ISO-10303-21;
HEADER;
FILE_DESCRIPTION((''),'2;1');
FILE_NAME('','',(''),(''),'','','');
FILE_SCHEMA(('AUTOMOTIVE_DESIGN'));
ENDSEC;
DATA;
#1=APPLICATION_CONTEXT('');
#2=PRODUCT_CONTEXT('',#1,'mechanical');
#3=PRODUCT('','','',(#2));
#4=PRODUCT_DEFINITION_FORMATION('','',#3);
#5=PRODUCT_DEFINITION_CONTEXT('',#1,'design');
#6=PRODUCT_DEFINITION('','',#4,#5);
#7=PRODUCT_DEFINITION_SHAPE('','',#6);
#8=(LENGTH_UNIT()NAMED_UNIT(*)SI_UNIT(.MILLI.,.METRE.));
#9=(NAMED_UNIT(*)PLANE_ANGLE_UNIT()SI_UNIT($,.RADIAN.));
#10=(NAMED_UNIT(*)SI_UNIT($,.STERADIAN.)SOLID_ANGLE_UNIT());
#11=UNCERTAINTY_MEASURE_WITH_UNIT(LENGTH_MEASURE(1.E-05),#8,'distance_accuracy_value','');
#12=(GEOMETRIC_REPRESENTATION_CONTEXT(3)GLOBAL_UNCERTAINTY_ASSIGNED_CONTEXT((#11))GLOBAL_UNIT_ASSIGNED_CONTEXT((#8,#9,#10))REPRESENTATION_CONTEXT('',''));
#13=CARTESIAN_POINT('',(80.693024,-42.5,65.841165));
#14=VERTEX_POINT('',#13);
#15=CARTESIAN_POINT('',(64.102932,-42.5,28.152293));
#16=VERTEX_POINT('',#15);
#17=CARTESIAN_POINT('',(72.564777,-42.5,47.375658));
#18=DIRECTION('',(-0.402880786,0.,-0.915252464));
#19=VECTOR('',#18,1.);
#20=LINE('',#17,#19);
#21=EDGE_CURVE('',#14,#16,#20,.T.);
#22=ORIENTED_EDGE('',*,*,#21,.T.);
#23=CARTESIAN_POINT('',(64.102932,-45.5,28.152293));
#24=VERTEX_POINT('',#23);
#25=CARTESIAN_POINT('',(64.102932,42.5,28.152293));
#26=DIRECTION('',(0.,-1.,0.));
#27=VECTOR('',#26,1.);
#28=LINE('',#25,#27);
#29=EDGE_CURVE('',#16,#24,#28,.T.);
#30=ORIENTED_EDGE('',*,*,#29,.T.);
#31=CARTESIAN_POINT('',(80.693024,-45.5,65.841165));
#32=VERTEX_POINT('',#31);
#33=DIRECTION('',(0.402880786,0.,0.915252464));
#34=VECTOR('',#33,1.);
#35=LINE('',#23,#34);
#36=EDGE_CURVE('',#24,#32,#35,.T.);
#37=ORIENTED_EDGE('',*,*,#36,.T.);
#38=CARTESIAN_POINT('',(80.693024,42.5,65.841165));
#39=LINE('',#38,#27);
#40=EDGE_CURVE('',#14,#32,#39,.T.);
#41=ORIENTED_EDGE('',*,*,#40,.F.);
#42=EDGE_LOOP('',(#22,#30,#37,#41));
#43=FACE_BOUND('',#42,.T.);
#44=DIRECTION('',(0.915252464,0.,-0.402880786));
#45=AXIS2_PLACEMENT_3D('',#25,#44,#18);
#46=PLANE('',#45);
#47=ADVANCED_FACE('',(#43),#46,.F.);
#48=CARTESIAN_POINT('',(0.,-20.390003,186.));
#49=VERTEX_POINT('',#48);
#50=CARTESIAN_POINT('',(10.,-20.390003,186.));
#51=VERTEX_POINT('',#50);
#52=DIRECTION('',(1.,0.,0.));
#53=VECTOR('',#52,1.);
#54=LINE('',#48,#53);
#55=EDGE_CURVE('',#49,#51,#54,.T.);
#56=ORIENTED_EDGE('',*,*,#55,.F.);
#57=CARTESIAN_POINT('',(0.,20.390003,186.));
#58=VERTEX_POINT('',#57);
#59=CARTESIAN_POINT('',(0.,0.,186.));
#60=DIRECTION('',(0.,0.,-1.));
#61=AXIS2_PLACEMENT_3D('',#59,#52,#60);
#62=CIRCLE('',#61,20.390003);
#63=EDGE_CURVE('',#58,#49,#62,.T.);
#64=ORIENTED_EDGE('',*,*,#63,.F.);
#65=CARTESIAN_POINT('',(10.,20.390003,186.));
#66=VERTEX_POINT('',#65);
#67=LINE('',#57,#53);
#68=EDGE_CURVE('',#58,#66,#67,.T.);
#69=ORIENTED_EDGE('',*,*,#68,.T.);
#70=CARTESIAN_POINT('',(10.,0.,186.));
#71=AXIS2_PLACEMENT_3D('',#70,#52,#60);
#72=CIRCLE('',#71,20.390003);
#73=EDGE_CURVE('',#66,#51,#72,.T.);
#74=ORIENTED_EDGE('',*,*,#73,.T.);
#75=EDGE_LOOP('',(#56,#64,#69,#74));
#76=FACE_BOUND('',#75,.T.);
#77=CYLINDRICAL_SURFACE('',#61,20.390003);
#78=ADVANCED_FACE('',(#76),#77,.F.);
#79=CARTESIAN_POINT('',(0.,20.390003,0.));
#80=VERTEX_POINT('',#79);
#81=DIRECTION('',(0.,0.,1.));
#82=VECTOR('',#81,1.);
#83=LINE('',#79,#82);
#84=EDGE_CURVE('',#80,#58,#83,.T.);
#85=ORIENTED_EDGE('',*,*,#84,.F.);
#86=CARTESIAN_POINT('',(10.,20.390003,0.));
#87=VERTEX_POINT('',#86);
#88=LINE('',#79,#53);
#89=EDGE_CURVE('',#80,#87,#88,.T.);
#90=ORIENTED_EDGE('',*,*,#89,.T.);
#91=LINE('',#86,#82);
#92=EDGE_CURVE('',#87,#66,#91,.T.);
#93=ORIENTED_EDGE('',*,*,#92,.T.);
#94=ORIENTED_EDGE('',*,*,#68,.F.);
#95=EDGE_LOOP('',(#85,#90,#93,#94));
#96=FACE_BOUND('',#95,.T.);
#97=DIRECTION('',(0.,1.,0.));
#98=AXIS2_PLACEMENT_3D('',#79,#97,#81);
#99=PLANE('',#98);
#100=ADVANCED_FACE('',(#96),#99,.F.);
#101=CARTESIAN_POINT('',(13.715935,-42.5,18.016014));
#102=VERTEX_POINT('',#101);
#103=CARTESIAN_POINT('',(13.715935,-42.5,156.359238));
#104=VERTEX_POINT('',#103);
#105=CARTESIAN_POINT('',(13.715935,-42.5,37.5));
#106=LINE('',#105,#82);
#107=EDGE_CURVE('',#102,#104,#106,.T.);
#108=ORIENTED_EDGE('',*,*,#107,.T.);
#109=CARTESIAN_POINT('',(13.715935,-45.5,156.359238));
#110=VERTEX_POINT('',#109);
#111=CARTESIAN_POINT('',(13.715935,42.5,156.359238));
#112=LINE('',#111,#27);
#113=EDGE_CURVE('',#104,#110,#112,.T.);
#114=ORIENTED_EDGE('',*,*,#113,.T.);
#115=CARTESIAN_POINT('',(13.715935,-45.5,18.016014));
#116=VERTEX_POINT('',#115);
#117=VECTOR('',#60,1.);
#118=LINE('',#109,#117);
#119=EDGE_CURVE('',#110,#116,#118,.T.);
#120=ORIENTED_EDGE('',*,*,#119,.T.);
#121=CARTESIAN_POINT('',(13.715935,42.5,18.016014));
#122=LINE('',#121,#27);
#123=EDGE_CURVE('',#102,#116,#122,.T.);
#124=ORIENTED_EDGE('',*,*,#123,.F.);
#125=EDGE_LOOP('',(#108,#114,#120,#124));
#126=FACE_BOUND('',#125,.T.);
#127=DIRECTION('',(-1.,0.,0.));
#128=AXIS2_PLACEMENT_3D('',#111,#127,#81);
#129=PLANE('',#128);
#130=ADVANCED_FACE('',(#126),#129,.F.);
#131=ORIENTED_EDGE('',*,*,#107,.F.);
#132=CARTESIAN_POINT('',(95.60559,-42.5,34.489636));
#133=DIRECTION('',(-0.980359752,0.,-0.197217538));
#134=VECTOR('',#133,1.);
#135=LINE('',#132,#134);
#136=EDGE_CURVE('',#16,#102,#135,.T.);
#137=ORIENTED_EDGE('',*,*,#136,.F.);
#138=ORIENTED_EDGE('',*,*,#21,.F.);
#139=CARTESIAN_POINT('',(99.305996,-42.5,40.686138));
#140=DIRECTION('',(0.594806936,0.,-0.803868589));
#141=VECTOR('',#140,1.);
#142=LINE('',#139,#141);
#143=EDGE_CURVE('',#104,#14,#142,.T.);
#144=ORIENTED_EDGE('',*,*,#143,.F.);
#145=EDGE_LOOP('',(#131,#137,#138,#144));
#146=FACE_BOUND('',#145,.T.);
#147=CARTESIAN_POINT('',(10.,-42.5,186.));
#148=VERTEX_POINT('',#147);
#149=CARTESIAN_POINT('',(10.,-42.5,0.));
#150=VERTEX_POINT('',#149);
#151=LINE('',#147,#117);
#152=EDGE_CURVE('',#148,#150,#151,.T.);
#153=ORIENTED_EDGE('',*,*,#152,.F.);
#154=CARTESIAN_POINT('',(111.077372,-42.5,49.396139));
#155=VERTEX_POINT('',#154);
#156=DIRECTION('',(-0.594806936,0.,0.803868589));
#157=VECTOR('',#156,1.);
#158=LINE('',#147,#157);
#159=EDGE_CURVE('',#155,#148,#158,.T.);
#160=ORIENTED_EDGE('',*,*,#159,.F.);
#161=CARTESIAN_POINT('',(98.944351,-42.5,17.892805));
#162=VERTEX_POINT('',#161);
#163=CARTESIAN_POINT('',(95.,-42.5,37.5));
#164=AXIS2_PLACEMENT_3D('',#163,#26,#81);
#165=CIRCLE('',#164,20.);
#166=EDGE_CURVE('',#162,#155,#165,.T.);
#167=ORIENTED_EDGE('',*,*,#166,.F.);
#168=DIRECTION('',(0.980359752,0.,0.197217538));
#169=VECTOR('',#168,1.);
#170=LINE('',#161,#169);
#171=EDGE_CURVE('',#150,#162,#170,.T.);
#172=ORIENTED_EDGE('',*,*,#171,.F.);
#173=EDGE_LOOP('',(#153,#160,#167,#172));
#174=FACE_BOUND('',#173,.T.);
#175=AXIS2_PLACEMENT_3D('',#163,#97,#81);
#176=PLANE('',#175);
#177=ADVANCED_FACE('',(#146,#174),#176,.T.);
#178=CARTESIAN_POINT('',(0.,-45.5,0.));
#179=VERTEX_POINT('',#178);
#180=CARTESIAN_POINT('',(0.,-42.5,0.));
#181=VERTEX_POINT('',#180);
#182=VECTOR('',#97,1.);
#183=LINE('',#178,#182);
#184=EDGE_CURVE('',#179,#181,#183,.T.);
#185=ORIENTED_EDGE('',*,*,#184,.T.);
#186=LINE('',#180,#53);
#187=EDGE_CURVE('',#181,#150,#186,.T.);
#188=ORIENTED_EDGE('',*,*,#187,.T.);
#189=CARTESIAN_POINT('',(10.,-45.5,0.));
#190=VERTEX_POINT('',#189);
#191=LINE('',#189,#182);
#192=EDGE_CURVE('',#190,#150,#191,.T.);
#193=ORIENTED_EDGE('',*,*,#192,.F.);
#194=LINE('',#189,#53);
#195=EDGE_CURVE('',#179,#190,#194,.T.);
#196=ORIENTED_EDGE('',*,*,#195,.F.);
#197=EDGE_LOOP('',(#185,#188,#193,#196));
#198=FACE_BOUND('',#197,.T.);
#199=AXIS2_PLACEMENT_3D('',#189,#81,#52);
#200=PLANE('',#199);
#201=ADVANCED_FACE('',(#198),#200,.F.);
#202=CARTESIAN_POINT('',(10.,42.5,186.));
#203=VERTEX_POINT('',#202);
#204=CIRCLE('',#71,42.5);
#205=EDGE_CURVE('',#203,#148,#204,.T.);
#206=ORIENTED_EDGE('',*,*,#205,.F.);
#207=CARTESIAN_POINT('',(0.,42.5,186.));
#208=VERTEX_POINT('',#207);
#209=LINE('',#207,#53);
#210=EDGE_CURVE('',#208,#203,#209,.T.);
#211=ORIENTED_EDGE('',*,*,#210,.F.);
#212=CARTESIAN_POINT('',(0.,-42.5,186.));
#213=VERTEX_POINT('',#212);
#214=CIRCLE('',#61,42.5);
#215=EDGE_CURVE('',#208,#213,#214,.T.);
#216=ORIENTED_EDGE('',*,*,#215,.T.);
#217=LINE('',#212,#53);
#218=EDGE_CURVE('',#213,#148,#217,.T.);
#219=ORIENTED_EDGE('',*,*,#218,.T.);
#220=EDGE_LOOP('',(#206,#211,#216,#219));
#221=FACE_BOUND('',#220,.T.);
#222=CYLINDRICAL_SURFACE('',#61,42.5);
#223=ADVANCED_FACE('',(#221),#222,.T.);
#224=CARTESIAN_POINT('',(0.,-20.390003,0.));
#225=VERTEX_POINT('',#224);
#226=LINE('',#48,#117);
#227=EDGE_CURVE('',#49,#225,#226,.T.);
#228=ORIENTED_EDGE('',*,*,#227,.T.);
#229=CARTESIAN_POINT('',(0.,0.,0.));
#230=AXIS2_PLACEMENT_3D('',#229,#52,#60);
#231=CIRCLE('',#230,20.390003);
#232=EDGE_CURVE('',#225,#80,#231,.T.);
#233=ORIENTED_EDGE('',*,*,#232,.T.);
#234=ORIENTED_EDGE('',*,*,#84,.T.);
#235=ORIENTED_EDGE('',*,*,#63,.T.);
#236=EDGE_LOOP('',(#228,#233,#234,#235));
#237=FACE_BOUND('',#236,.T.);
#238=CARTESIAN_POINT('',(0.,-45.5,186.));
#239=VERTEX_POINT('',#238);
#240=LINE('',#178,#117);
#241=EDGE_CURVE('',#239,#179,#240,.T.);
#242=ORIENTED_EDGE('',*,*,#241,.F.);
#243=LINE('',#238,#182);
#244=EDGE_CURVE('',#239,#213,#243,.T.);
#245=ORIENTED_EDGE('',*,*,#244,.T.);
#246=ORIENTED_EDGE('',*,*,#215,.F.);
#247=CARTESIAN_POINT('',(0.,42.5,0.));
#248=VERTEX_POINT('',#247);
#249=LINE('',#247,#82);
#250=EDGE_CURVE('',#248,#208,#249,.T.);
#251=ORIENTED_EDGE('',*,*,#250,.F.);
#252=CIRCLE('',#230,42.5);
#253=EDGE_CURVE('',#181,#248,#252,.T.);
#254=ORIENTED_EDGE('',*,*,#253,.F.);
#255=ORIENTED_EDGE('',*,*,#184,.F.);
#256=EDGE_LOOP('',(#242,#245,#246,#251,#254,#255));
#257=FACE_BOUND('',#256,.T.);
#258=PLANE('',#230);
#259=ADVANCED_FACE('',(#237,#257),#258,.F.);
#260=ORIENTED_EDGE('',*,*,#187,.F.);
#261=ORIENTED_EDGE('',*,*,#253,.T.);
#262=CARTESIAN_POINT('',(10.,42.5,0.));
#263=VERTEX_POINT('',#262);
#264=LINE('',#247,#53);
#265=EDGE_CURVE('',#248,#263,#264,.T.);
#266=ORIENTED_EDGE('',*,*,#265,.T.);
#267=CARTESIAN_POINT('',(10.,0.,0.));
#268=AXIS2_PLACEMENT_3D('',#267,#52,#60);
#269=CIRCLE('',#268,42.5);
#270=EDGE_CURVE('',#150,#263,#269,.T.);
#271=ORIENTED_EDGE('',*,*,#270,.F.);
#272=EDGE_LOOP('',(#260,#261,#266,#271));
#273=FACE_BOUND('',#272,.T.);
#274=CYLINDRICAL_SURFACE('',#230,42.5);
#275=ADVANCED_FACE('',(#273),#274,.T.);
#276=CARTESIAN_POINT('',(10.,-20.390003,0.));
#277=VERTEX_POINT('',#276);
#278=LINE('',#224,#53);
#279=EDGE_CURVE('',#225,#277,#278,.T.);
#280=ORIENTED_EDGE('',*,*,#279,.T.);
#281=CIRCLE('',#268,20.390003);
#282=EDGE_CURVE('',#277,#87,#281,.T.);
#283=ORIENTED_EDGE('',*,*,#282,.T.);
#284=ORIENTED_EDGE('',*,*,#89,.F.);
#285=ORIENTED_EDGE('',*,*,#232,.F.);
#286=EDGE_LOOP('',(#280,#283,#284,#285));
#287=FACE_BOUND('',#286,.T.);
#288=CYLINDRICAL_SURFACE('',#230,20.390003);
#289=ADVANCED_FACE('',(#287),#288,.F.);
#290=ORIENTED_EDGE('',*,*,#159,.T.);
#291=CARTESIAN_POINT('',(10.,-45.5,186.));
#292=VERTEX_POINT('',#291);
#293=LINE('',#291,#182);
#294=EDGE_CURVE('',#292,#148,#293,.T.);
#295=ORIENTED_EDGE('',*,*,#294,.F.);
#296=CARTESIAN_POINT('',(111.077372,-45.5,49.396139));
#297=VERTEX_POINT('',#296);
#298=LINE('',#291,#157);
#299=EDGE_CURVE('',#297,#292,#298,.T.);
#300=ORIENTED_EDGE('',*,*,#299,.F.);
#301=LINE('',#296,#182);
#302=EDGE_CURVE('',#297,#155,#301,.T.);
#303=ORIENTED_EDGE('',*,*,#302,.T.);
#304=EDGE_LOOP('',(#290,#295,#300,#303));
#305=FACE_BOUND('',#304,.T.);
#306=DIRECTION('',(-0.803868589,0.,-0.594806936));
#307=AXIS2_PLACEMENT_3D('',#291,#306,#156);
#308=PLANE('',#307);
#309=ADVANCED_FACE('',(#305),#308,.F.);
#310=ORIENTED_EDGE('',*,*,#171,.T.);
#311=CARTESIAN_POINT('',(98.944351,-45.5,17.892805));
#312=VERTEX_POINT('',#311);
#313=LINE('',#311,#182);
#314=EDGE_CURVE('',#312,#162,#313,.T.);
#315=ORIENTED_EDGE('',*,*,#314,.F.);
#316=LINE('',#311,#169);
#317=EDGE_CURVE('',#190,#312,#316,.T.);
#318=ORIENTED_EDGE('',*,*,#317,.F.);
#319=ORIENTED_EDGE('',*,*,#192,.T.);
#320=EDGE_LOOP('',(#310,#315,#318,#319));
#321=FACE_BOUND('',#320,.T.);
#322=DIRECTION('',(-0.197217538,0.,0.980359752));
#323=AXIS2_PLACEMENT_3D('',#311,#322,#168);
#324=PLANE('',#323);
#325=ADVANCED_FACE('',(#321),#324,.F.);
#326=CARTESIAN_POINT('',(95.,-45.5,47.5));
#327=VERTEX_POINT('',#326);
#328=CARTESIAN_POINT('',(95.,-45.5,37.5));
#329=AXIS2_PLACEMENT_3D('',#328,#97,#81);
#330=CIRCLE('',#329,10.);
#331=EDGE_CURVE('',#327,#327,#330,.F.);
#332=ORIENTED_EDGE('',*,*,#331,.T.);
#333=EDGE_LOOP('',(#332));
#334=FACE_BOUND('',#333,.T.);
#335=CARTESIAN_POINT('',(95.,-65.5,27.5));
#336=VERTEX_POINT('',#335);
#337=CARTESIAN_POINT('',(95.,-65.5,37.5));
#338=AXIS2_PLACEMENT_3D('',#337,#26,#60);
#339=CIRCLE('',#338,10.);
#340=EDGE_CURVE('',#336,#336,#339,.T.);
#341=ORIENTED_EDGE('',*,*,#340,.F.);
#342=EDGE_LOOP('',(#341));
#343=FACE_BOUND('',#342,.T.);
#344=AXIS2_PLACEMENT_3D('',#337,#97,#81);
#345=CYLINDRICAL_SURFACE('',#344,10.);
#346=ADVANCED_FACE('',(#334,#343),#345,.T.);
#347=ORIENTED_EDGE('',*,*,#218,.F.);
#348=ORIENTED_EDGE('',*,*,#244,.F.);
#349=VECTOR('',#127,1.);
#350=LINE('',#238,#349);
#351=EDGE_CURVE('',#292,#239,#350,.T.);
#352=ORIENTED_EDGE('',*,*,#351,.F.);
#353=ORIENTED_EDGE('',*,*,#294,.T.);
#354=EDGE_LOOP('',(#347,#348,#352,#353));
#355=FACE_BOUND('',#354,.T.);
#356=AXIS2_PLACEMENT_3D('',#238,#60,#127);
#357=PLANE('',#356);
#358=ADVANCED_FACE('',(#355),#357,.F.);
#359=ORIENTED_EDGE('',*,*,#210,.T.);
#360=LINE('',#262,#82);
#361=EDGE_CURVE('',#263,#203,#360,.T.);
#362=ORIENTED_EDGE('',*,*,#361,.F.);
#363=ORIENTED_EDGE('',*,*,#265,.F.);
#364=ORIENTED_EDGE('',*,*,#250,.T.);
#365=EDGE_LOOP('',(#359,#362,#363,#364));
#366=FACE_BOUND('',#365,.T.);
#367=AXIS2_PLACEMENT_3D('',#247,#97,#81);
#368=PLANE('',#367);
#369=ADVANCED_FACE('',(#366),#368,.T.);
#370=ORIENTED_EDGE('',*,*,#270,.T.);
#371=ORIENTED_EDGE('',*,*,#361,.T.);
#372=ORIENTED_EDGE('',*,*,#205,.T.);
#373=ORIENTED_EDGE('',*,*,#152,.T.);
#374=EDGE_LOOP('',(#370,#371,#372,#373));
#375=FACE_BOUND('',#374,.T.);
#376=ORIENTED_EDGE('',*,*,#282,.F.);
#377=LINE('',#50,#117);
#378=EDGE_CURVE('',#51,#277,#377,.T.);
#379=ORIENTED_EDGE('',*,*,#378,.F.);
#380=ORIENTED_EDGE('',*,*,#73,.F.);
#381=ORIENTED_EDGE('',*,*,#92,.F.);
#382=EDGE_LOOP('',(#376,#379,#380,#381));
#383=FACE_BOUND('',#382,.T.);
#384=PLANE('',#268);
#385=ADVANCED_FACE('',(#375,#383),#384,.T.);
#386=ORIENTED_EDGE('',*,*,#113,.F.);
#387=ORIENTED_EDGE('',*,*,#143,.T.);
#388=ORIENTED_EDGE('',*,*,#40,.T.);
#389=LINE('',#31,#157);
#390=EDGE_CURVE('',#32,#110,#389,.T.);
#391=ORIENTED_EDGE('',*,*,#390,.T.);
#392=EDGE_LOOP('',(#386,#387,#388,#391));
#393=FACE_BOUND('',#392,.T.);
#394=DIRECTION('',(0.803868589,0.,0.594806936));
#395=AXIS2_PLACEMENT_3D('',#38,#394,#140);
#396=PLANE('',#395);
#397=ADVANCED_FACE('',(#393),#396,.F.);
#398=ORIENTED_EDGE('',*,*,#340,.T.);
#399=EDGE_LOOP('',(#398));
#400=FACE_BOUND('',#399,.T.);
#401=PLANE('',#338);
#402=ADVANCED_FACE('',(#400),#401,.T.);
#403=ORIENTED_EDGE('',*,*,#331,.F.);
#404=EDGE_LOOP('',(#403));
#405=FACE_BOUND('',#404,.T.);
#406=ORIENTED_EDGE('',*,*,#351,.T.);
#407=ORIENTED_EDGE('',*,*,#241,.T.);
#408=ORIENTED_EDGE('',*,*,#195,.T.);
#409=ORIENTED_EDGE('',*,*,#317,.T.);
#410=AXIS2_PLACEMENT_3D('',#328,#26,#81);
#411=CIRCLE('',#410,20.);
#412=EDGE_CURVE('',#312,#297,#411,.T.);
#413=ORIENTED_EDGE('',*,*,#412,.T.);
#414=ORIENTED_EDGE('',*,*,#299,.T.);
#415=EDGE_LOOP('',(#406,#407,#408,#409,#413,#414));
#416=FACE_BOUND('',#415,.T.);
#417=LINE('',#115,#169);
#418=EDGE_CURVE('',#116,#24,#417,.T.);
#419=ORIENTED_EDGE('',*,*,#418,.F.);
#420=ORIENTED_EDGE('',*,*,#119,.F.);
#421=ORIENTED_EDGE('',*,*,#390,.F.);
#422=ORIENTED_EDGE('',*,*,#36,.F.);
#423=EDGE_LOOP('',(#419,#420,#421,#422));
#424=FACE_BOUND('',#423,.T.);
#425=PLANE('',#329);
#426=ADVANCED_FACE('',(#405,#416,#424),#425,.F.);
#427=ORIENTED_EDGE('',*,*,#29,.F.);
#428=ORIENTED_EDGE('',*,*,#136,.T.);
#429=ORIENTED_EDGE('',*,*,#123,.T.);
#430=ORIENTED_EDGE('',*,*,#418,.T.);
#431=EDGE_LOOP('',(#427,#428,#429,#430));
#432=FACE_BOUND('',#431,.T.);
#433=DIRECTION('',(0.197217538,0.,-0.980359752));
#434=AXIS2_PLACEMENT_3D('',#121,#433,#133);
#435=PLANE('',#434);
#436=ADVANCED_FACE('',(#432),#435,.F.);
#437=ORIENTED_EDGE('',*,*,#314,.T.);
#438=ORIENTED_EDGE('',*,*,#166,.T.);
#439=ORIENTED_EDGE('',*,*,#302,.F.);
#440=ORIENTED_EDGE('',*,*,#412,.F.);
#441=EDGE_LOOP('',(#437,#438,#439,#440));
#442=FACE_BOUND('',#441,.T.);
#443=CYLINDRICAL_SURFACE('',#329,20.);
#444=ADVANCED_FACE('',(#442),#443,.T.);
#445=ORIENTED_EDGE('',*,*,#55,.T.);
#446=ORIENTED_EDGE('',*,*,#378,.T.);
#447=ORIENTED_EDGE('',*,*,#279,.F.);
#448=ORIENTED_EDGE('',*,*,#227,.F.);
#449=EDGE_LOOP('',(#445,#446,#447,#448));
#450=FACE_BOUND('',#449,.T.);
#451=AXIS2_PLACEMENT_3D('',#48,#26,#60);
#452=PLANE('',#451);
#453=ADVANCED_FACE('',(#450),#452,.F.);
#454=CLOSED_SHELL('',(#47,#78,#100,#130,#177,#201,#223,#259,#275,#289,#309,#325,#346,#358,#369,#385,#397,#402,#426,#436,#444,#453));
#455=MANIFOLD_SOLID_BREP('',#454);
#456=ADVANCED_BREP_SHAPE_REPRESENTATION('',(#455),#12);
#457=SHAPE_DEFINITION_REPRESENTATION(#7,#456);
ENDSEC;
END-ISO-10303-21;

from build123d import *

# Parameters (mm, degrees)
BOSS_EXTRUDE1_DEPTH = 10
BOSS_EXTRUDE2_DEPTH = 3
SKETCH3_R           = 10
BOSS_EXTRUDE3_DEPTH = 20
CUT_EXTRUDE1_DEPTH  = 11
CUT_EXTRUDE2_DEPTH  = 89


with BuildPart() as part:
    # Sketch1 → Boss-Extrude1 (new body)
    with BuildSketch(Plane(origin=(10, 0, 0), x_dir=(0, 0, -1), z_dir=(1, 0, 0))):
        with BuildLine():
            Line((0, 42.5), (-186, 42.5))
            ThreePointArc((-186, 42.5), (-228.5, 0), (-186, -42.5))
            Line((-186, -42.5), (0, -42.5))
            ThreePointArc((0, -42.5), (42.5, 0), (0, 42.5))
        make_face()
    extrude(amount=-BOSS_EXTRUDE1_DEPTH)

    # Sketch2 → Boss-Extrude2 (add)
    with BuildSketch(Plane.XZ.offset(42.5)):
        with BuildLine():
            Line((98.944350751, 17.892804965), (10, 0))
            Line((10, 0), (0, 0))
            Line((0, 0), (0, 186))
            Line((0, 186), (10, 186))
            Line((10, 186), (111.07737178, 49.396138729))
            ThreePointArc((111.07737178, 49.396138729), (113.663663971, 30.311978912), (98.944350751, 17.892804965))
        make_face()
    extrude(amount=BOSS_EXTRUDE2_DEPTH)

    # Sketch3 → Boss-Extrude3 (add)
    with BuildSketch(Plane.XZ.offset(45.5)):
        with Locations((95, 37.5)):
            Circle(SKETCH3_R)
    extrude(amount=BOSS_EXTRUDE3_DEPTH)

    # Sketch4 → Cut-Extrude1 (cut, through all)
    with BuildSketch(Plane(origin=(10, 0, 0), x_dir=(0, 0, -1), z_dir=(1, 0, 0))):
        with BuildLine():
            Line((-186, -20.390002673), (0, -20.390002673))
            ThreePointArc((0, -20.390002673), (20.390002673, 0), (0, 20.390002673))
            Line((0, 20.390002673), (-186, 20.390002673))
            ThreePointArc((-186, 20.390002673), (-206.390002673, 0), (-186, -20.390002673))
        make_face()
    extrude(amount=-CUT_EXTRUDE1_DEPTH, mode=Mode.SUBTRACT)

    # Sketch5 → Cut-Extrude2 (cut, through all)
    with BuildSketch(Plane.XZ.offset(45.5)):
        Polygon((13.715935026, 156.359237723), (13.715935026, 18.016014269), (64.102931729, 28.152292708), (80.693023557, 65.841164794), align=None)
    extrude(amount=-CUT_EXTRUDE2_DEPTH, mode=Mode.SUBTRACT)


solid = part.part
